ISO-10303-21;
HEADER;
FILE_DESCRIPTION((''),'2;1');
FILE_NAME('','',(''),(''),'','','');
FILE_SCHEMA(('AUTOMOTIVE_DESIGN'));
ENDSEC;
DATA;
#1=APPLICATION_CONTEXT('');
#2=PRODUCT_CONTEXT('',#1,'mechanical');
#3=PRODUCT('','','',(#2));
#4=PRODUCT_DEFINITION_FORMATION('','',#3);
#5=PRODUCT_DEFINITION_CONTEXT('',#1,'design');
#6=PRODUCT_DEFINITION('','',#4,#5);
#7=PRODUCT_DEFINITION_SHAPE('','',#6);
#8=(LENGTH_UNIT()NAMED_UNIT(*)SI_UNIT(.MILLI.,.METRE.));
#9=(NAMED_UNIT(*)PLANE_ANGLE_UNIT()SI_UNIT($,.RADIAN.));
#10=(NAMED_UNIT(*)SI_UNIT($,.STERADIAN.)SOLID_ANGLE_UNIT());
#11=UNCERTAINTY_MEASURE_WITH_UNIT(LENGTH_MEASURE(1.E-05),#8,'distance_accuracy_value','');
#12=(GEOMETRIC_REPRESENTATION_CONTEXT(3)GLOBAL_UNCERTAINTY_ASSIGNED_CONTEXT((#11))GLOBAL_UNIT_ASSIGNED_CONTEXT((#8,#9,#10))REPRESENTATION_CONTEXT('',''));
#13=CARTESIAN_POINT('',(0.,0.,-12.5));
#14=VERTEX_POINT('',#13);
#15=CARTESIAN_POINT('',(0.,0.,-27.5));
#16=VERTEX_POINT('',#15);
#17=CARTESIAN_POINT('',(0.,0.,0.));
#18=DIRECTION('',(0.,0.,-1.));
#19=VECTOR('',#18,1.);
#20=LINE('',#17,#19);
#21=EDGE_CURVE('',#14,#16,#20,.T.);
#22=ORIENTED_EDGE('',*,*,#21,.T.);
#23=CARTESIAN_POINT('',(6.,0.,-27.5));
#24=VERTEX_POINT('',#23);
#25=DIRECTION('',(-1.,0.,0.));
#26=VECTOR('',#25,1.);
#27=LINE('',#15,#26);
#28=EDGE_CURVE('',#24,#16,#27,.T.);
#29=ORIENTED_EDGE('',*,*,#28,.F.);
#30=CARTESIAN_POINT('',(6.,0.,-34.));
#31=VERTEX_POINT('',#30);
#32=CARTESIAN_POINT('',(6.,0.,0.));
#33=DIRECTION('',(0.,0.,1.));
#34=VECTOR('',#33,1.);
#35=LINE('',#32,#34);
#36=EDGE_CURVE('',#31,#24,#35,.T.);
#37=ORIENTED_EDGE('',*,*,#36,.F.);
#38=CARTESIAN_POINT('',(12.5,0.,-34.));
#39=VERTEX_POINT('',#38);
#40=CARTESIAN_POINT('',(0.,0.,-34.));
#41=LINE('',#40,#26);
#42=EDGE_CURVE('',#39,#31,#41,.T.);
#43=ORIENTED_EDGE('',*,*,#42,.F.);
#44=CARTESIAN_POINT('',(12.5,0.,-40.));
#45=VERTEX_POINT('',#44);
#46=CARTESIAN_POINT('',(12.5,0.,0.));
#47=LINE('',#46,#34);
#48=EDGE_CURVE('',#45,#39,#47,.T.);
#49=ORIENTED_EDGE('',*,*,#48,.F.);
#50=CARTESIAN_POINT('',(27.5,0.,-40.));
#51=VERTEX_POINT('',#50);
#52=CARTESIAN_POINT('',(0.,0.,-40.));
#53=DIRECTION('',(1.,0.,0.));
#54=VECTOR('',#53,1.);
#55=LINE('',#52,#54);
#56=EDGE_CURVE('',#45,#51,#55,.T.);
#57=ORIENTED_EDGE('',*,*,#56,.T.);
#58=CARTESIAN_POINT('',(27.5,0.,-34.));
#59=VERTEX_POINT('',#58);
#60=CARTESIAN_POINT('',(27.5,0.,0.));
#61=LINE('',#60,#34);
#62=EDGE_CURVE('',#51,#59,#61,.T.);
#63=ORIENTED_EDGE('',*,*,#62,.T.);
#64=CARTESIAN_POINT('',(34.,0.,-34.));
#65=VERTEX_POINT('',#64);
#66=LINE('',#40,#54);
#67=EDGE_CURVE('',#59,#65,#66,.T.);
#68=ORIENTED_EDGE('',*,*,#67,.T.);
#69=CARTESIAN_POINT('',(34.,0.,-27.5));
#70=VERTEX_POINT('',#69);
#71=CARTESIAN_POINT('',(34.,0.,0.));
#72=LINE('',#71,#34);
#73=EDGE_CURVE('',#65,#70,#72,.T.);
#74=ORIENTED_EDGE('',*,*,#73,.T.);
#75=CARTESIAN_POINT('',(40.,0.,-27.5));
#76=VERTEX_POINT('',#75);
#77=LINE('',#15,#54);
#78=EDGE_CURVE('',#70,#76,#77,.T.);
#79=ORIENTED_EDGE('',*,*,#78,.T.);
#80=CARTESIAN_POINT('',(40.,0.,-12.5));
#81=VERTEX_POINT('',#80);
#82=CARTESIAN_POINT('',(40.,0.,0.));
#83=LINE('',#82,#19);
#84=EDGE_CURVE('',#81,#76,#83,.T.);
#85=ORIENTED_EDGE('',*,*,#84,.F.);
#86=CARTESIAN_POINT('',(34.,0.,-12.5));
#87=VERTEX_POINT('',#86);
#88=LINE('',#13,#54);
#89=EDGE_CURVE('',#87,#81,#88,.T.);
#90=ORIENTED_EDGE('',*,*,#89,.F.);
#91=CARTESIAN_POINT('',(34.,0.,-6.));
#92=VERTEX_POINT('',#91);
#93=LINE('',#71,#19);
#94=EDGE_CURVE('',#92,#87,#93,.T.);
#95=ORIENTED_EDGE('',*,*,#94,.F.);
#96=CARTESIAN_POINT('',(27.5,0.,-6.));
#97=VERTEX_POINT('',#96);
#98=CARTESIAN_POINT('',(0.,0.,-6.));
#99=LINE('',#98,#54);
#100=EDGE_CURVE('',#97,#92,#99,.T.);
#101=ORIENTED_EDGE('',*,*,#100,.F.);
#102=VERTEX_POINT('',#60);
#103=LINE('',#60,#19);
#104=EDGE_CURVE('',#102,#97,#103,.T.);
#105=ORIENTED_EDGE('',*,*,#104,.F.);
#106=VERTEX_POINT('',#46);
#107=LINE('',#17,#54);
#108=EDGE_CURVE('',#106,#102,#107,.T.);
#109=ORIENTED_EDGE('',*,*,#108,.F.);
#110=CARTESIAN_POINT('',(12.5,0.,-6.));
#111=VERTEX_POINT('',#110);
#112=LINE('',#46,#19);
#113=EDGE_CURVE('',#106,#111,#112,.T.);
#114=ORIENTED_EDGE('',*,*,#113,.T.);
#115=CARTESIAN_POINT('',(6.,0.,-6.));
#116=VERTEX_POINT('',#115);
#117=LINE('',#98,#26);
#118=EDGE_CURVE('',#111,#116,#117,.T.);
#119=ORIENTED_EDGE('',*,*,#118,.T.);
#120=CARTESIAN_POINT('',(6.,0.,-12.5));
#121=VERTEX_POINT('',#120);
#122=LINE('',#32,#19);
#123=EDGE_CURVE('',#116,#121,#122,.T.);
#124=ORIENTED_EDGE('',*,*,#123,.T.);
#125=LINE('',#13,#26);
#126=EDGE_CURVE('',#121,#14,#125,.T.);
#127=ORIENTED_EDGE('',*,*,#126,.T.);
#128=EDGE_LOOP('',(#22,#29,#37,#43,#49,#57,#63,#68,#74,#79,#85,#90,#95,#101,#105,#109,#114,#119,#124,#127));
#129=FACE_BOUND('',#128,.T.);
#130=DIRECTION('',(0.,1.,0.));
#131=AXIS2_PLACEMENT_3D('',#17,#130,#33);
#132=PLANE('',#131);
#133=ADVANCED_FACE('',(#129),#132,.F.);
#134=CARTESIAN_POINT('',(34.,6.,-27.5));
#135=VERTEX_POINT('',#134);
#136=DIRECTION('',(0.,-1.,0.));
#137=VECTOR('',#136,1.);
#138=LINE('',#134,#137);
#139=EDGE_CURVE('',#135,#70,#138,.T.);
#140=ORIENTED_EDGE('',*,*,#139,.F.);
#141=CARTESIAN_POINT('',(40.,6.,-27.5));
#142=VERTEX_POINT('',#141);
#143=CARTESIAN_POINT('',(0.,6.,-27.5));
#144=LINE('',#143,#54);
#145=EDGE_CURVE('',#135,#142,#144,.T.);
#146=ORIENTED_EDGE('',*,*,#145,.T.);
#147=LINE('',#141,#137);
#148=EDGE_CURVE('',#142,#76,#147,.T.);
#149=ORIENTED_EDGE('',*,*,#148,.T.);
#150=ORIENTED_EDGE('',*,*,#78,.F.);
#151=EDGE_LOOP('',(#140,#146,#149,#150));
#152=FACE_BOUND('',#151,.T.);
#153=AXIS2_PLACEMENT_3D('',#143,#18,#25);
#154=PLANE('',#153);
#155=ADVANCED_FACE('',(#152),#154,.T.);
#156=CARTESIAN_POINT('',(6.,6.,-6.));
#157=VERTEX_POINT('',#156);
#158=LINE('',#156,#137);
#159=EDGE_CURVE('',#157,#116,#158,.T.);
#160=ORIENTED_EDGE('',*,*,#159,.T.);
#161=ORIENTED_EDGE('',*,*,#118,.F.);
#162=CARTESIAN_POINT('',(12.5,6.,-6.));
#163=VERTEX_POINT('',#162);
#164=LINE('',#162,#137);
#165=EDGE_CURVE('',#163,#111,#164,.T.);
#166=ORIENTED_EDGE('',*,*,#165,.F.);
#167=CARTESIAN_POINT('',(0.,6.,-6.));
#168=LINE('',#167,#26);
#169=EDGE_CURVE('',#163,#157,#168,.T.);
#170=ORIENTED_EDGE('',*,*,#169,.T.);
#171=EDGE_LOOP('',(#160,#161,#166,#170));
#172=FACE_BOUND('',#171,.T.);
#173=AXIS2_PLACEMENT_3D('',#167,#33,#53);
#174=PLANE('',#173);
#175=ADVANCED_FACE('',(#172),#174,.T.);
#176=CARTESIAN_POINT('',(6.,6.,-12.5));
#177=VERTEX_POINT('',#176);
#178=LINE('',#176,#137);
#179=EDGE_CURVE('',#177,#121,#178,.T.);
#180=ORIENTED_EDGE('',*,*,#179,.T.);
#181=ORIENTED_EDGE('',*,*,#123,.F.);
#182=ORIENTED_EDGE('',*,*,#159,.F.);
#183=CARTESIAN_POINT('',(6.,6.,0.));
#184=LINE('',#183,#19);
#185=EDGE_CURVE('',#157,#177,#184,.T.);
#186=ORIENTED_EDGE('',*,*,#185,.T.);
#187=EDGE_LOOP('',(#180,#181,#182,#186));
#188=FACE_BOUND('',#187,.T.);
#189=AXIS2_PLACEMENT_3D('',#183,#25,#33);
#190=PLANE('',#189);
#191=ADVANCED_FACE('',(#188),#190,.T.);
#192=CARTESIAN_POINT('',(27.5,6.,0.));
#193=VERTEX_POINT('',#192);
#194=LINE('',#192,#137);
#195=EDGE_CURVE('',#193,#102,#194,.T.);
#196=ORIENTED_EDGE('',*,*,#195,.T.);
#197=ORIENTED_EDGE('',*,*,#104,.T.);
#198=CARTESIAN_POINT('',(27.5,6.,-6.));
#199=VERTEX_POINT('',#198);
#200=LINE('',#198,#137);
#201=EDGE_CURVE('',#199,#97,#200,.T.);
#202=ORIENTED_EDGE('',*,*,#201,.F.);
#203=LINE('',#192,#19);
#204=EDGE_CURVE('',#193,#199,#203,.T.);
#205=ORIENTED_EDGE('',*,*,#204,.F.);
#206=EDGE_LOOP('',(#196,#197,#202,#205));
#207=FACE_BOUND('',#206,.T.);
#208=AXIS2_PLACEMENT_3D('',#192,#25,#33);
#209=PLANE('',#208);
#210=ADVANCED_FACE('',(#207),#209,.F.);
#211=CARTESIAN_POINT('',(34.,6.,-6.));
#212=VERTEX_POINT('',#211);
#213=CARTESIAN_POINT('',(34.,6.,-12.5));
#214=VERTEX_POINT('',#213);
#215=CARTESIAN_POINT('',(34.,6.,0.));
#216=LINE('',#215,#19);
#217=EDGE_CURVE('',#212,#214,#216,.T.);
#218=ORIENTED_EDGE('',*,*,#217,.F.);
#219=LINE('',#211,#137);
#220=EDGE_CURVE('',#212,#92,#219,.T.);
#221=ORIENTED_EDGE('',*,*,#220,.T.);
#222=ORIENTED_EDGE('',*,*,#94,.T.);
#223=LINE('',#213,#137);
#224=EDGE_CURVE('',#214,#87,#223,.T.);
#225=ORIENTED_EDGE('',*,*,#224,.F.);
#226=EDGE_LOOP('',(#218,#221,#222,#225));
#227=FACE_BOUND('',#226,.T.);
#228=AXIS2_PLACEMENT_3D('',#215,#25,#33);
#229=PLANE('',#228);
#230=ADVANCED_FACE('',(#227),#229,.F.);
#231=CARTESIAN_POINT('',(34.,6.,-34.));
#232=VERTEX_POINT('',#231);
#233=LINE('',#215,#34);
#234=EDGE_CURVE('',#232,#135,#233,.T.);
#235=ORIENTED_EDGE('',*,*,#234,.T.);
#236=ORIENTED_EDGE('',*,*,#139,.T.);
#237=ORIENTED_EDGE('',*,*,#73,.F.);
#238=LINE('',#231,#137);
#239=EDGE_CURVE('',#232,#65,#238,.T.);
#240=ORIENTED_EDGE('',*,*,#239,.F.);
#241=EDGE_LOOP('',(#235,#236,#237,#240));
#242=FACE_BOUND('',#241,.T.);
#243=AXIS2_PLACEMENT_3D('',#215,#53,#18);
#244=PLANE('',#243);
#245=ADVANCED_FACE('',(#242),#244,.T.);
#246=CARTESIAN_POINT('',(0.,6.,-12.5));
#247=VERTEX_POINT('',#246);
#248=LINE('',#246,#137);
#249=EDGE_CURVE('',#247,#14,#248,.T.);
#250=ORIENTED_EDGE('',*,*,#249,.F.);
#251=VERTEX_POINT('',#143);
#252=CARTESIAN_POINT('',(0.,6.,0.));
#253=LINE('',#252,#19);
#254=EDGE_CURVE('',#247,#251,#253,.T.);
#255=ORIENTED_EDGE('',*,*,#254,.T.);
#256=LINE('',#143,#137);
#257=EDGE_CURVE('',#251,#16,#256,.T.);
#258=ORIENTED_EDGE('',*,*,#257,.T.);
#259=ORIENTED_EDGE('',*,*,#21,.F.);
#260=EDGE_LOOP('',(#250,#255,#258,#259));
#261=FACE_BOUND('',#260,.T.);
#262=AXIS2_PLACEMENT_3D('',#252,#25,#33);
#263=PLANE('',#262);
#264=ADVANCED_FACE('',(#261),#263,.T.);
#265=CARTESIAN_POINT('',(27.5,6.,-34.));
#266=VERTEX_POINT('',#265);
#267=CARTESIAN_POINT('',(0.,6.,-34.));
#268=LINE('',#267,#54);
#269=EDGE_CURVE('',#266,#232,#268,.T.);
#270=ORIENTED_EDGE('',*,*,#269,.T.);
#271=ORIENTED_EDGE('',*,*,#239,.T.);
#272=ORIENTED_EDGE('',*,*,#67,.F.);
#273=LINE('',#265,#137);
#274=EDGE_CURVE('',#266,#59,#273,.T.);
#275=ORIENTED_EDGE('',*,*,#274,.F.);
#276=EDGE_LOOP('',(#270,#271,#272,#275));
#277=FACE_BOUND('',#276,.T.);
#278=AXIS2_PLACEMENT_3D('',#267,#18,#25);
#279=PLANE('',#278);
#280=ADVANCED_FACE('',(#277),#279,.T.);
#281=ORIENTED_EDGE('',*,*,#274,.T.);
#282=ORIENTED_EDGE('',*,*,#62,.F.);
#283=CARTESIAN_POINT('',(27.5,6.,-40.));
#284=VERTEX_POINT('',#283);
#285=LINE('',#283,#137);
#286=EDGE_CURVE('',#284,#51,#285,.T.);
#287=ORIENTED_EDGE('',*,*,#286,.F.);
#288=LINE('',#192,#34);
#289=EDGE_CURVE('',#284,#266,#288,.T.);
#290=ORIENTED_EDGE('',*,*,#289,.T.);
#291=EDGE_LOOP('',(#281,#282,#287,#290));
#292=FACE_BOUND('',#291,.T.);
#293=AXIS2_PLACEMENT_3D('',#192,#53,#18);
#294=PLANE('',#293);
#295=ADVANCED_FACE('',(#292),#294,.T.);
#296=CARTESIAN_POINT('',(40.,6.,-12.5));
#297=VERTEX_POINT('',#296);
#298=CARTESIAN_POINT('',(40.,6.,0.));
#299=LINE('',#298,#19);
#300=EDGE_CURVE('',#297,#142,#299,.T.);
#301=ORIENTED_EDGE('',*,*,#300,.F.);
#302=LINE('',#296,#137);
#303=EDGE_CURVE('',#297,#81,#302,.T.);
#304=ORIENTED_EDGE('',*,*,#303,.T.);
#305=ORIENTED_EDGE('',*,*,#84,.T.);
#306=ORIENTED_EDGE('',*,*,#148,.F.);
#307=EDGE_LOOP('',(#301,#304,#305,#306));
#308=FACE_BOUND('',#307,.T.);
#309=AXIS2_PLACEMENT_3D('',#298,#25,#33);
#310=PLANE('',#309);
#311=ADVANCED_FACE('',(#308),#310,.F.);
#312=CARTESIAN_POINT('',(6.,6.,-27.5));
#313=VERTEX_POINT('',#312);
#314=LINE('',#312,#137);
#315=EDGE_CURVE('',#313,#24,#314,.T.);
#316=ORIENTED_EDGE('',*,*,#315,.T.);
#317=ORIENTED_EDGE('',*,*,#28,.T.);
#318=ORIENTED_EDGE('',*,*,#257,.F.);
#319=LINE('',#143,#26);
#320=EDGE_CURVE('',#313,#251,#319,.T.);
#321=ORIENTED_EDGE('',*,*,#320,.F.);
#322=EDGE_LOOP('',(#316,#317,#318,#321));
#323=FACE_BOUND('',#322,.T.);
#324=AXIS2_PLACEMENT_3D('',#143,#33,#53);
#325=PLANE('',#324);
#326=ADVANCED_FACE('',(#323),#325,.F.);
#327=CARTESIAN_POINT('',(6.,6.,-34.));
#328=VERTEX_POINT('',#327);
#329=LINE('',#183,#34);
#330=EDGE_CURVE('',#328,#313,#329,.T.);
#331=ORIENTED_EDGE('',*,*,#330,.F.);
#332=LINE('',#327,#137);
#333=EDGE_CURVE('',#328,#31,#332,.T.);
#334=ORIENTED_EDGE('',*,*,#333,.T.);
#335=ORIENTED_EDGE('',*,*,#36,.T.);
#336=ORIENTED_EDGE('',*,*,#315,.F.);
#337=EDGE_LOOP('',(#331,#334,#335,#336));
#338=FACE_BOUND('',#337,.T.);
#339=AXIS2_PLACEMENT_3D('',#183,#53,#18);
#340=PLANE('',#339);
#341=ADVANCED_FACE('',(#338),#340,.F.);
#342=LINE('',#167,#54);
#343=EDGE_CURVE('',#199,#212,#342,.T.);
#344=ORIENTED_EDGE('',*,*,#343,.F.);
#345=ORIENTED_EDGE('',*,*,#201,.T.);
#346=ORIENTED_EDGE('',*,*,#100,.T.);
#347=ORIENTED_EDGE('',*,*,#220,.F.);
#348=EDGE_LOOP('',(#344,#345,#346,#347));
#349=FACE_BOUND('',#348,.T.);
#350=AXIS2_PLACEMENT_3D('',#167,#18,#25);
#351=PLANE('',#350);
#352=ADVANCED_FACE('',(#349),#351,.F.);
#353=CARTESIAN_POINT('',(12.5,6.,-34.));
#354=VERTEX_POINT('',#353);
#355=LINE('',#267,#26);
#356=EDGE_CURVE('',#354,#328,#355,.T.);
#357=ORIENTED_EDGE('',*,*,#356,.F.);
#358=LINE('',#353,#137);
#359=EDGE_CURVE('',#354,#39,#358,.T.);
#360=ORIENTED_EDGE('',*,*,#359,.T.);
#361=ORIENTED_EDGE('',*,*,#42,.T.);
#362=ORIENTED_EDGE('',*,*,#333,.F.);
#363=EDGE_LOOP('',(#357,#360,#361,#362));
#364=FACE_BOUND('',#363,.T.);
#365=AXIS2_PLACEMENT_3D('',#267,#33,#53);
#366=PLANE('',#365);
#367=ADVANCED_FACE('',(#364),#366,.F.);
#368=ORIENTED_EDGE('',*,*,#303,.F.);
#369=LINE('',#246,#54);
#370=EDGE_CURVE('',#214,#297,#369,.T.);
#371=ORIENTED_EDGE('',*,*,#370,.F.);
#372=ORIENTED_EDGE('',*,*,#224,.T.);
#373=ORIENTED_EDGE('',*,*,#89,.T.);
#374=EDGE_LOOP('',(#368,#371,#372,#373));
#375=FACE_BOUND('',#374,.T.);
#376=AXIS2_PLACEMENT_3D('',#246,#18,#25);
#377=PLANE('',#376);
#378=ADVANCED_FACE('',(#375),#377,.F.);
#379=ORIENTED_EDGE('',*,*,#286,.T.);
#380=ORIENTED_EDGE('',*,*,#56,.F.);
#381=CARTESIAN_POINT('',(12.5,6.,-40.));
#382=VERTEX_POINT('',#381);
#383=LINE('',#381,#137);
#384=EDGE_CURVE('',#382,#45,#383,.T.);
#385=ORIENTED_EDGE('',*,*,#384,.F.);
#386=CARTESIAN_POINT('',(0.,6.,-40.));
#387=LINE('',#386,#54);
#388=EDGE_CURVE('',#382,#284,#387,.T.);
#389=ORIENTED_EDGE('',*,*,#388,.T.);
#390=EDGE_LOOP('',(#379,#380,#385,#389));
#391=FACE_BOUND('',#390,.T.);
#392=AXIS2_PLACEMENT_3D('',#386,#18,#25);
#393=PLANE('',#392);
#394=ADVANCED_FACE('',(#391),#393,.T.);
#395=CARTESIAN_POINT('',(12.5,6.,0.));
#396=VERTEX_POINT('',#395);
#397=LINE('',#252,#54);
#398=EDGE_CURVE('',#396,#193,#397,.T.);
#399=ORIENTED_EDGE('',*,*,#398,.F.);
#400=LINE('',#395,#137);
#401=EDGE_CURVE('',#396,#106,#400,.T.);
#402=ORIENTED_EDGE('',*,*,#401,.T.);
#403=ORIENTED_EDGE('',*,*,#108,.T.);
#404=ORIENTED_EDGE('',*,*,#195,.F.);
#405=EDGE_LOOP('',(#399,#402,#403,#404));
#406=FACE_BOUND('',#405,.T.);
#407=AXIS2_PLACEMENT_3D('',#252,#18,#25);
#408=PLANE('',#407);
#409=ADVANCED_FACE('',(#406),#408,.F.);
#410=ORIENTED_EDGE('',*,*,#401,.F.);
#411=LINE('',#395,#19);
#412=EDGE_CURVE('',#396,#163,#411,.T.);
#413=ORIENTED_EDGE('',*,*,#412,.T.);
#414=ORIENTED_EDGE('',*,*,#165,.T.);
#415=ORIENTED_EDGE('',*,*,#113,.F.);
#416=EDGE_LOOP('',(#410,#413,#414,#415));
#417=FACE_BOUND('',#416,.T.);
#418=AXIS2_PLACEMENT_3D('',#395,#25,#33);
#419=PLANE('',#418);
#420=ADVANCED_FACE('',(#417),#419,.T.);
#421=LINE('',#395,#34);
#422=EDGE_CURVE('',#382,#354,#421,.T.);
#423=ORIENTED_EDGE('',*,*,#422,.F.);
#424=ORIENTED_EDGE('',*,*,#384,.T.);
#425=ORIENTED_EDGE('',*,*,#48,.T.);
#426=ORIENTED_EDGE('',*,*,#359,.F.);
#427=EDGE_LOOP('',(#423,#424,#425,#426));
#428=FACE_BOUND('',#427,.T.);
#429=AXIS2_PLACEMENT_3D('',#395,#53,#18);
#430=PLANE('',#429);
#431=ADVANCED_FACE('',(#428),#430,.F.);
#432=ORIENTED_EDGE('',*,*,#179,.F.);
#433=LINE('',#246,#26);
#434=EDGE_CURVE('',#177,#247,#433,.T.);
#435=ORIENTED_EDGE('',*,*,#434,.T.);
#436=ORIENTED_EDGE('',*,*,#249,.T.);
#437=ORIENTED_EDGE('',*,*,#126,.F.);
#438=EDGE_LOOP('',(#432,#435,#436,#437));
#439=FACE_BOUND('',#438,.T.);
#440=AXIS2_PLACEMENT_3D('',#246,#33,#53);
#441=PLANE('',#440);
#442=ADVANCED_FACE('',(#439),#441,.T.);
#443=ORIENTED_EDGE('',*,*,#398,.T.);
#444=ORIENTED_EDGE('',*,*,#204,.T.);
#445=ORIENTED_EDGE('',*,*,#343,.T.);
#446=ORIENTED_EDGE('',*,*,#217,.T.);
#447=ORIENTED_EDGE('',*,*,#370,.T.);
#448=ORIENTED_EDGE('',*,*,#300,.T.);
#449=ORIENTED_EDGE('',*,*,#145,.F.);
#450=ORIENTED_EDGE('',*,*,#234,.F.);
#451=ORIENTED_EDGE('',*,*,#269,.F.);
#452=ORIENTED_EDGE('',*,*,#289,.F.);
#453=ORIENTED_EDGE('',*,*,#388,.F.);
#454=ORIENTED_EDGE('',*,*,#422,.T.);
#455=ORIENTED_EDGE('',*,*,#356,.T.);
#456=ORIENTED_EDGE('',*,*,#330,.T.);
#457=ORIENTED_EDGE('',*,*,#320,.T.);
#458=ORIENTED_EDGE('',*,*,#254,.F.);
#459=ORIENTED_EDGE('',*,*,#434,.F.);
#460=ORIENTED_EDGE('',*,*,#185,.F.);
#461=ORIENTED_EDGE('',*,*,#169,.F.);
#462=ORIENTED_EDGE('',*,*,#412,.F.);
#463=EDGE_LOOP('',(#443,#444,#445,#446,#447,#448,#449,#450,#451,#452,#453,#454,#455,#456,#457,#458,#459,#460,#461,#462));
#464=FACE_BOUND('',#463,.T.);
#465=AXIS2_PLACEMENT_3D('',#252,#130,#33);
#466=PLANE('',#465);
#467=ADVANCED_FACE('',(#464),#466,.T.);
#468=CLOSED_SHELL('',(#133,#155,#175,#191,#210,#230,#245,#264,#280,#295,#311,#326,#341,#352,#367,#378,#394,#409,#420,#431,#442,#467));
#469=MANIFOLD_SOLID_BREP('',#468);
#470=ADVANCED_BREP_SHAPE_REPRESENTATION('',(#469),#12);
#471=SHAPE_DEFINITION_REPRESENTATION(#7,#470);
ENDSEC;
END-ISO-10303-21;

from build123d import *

# Parameters (mm, degrees)
SALIENTE_EXTRUIR1_DEPTH = 6


with BuildPart() as part:
    # Croquis1 → Saliente-Extruir1 (new body)
    with BuildSketch(Plane(origin=(0, 0, 0), x_dir=(1, 0, 0), z_dir=(0, 1, 0))):
        Polygon((27.5, 40), (12.5, 40), (12.5, 34), (6, 34), (6, 27.5), (0, 27.5), (0, 12.5), (6, 12.5), (6, 6), (12.5, 6), (12.5, 0), (27.5, 0), (27.5, 6), (34, 6), (34, 12.5), (40, 12.5), (40, 27.5), (34, 27.5), (34, 34), (27.5, 34), align=None)
    extrude(amount=SALIENTE_EXTRUIR1_DEPTH)


solid = part.part
